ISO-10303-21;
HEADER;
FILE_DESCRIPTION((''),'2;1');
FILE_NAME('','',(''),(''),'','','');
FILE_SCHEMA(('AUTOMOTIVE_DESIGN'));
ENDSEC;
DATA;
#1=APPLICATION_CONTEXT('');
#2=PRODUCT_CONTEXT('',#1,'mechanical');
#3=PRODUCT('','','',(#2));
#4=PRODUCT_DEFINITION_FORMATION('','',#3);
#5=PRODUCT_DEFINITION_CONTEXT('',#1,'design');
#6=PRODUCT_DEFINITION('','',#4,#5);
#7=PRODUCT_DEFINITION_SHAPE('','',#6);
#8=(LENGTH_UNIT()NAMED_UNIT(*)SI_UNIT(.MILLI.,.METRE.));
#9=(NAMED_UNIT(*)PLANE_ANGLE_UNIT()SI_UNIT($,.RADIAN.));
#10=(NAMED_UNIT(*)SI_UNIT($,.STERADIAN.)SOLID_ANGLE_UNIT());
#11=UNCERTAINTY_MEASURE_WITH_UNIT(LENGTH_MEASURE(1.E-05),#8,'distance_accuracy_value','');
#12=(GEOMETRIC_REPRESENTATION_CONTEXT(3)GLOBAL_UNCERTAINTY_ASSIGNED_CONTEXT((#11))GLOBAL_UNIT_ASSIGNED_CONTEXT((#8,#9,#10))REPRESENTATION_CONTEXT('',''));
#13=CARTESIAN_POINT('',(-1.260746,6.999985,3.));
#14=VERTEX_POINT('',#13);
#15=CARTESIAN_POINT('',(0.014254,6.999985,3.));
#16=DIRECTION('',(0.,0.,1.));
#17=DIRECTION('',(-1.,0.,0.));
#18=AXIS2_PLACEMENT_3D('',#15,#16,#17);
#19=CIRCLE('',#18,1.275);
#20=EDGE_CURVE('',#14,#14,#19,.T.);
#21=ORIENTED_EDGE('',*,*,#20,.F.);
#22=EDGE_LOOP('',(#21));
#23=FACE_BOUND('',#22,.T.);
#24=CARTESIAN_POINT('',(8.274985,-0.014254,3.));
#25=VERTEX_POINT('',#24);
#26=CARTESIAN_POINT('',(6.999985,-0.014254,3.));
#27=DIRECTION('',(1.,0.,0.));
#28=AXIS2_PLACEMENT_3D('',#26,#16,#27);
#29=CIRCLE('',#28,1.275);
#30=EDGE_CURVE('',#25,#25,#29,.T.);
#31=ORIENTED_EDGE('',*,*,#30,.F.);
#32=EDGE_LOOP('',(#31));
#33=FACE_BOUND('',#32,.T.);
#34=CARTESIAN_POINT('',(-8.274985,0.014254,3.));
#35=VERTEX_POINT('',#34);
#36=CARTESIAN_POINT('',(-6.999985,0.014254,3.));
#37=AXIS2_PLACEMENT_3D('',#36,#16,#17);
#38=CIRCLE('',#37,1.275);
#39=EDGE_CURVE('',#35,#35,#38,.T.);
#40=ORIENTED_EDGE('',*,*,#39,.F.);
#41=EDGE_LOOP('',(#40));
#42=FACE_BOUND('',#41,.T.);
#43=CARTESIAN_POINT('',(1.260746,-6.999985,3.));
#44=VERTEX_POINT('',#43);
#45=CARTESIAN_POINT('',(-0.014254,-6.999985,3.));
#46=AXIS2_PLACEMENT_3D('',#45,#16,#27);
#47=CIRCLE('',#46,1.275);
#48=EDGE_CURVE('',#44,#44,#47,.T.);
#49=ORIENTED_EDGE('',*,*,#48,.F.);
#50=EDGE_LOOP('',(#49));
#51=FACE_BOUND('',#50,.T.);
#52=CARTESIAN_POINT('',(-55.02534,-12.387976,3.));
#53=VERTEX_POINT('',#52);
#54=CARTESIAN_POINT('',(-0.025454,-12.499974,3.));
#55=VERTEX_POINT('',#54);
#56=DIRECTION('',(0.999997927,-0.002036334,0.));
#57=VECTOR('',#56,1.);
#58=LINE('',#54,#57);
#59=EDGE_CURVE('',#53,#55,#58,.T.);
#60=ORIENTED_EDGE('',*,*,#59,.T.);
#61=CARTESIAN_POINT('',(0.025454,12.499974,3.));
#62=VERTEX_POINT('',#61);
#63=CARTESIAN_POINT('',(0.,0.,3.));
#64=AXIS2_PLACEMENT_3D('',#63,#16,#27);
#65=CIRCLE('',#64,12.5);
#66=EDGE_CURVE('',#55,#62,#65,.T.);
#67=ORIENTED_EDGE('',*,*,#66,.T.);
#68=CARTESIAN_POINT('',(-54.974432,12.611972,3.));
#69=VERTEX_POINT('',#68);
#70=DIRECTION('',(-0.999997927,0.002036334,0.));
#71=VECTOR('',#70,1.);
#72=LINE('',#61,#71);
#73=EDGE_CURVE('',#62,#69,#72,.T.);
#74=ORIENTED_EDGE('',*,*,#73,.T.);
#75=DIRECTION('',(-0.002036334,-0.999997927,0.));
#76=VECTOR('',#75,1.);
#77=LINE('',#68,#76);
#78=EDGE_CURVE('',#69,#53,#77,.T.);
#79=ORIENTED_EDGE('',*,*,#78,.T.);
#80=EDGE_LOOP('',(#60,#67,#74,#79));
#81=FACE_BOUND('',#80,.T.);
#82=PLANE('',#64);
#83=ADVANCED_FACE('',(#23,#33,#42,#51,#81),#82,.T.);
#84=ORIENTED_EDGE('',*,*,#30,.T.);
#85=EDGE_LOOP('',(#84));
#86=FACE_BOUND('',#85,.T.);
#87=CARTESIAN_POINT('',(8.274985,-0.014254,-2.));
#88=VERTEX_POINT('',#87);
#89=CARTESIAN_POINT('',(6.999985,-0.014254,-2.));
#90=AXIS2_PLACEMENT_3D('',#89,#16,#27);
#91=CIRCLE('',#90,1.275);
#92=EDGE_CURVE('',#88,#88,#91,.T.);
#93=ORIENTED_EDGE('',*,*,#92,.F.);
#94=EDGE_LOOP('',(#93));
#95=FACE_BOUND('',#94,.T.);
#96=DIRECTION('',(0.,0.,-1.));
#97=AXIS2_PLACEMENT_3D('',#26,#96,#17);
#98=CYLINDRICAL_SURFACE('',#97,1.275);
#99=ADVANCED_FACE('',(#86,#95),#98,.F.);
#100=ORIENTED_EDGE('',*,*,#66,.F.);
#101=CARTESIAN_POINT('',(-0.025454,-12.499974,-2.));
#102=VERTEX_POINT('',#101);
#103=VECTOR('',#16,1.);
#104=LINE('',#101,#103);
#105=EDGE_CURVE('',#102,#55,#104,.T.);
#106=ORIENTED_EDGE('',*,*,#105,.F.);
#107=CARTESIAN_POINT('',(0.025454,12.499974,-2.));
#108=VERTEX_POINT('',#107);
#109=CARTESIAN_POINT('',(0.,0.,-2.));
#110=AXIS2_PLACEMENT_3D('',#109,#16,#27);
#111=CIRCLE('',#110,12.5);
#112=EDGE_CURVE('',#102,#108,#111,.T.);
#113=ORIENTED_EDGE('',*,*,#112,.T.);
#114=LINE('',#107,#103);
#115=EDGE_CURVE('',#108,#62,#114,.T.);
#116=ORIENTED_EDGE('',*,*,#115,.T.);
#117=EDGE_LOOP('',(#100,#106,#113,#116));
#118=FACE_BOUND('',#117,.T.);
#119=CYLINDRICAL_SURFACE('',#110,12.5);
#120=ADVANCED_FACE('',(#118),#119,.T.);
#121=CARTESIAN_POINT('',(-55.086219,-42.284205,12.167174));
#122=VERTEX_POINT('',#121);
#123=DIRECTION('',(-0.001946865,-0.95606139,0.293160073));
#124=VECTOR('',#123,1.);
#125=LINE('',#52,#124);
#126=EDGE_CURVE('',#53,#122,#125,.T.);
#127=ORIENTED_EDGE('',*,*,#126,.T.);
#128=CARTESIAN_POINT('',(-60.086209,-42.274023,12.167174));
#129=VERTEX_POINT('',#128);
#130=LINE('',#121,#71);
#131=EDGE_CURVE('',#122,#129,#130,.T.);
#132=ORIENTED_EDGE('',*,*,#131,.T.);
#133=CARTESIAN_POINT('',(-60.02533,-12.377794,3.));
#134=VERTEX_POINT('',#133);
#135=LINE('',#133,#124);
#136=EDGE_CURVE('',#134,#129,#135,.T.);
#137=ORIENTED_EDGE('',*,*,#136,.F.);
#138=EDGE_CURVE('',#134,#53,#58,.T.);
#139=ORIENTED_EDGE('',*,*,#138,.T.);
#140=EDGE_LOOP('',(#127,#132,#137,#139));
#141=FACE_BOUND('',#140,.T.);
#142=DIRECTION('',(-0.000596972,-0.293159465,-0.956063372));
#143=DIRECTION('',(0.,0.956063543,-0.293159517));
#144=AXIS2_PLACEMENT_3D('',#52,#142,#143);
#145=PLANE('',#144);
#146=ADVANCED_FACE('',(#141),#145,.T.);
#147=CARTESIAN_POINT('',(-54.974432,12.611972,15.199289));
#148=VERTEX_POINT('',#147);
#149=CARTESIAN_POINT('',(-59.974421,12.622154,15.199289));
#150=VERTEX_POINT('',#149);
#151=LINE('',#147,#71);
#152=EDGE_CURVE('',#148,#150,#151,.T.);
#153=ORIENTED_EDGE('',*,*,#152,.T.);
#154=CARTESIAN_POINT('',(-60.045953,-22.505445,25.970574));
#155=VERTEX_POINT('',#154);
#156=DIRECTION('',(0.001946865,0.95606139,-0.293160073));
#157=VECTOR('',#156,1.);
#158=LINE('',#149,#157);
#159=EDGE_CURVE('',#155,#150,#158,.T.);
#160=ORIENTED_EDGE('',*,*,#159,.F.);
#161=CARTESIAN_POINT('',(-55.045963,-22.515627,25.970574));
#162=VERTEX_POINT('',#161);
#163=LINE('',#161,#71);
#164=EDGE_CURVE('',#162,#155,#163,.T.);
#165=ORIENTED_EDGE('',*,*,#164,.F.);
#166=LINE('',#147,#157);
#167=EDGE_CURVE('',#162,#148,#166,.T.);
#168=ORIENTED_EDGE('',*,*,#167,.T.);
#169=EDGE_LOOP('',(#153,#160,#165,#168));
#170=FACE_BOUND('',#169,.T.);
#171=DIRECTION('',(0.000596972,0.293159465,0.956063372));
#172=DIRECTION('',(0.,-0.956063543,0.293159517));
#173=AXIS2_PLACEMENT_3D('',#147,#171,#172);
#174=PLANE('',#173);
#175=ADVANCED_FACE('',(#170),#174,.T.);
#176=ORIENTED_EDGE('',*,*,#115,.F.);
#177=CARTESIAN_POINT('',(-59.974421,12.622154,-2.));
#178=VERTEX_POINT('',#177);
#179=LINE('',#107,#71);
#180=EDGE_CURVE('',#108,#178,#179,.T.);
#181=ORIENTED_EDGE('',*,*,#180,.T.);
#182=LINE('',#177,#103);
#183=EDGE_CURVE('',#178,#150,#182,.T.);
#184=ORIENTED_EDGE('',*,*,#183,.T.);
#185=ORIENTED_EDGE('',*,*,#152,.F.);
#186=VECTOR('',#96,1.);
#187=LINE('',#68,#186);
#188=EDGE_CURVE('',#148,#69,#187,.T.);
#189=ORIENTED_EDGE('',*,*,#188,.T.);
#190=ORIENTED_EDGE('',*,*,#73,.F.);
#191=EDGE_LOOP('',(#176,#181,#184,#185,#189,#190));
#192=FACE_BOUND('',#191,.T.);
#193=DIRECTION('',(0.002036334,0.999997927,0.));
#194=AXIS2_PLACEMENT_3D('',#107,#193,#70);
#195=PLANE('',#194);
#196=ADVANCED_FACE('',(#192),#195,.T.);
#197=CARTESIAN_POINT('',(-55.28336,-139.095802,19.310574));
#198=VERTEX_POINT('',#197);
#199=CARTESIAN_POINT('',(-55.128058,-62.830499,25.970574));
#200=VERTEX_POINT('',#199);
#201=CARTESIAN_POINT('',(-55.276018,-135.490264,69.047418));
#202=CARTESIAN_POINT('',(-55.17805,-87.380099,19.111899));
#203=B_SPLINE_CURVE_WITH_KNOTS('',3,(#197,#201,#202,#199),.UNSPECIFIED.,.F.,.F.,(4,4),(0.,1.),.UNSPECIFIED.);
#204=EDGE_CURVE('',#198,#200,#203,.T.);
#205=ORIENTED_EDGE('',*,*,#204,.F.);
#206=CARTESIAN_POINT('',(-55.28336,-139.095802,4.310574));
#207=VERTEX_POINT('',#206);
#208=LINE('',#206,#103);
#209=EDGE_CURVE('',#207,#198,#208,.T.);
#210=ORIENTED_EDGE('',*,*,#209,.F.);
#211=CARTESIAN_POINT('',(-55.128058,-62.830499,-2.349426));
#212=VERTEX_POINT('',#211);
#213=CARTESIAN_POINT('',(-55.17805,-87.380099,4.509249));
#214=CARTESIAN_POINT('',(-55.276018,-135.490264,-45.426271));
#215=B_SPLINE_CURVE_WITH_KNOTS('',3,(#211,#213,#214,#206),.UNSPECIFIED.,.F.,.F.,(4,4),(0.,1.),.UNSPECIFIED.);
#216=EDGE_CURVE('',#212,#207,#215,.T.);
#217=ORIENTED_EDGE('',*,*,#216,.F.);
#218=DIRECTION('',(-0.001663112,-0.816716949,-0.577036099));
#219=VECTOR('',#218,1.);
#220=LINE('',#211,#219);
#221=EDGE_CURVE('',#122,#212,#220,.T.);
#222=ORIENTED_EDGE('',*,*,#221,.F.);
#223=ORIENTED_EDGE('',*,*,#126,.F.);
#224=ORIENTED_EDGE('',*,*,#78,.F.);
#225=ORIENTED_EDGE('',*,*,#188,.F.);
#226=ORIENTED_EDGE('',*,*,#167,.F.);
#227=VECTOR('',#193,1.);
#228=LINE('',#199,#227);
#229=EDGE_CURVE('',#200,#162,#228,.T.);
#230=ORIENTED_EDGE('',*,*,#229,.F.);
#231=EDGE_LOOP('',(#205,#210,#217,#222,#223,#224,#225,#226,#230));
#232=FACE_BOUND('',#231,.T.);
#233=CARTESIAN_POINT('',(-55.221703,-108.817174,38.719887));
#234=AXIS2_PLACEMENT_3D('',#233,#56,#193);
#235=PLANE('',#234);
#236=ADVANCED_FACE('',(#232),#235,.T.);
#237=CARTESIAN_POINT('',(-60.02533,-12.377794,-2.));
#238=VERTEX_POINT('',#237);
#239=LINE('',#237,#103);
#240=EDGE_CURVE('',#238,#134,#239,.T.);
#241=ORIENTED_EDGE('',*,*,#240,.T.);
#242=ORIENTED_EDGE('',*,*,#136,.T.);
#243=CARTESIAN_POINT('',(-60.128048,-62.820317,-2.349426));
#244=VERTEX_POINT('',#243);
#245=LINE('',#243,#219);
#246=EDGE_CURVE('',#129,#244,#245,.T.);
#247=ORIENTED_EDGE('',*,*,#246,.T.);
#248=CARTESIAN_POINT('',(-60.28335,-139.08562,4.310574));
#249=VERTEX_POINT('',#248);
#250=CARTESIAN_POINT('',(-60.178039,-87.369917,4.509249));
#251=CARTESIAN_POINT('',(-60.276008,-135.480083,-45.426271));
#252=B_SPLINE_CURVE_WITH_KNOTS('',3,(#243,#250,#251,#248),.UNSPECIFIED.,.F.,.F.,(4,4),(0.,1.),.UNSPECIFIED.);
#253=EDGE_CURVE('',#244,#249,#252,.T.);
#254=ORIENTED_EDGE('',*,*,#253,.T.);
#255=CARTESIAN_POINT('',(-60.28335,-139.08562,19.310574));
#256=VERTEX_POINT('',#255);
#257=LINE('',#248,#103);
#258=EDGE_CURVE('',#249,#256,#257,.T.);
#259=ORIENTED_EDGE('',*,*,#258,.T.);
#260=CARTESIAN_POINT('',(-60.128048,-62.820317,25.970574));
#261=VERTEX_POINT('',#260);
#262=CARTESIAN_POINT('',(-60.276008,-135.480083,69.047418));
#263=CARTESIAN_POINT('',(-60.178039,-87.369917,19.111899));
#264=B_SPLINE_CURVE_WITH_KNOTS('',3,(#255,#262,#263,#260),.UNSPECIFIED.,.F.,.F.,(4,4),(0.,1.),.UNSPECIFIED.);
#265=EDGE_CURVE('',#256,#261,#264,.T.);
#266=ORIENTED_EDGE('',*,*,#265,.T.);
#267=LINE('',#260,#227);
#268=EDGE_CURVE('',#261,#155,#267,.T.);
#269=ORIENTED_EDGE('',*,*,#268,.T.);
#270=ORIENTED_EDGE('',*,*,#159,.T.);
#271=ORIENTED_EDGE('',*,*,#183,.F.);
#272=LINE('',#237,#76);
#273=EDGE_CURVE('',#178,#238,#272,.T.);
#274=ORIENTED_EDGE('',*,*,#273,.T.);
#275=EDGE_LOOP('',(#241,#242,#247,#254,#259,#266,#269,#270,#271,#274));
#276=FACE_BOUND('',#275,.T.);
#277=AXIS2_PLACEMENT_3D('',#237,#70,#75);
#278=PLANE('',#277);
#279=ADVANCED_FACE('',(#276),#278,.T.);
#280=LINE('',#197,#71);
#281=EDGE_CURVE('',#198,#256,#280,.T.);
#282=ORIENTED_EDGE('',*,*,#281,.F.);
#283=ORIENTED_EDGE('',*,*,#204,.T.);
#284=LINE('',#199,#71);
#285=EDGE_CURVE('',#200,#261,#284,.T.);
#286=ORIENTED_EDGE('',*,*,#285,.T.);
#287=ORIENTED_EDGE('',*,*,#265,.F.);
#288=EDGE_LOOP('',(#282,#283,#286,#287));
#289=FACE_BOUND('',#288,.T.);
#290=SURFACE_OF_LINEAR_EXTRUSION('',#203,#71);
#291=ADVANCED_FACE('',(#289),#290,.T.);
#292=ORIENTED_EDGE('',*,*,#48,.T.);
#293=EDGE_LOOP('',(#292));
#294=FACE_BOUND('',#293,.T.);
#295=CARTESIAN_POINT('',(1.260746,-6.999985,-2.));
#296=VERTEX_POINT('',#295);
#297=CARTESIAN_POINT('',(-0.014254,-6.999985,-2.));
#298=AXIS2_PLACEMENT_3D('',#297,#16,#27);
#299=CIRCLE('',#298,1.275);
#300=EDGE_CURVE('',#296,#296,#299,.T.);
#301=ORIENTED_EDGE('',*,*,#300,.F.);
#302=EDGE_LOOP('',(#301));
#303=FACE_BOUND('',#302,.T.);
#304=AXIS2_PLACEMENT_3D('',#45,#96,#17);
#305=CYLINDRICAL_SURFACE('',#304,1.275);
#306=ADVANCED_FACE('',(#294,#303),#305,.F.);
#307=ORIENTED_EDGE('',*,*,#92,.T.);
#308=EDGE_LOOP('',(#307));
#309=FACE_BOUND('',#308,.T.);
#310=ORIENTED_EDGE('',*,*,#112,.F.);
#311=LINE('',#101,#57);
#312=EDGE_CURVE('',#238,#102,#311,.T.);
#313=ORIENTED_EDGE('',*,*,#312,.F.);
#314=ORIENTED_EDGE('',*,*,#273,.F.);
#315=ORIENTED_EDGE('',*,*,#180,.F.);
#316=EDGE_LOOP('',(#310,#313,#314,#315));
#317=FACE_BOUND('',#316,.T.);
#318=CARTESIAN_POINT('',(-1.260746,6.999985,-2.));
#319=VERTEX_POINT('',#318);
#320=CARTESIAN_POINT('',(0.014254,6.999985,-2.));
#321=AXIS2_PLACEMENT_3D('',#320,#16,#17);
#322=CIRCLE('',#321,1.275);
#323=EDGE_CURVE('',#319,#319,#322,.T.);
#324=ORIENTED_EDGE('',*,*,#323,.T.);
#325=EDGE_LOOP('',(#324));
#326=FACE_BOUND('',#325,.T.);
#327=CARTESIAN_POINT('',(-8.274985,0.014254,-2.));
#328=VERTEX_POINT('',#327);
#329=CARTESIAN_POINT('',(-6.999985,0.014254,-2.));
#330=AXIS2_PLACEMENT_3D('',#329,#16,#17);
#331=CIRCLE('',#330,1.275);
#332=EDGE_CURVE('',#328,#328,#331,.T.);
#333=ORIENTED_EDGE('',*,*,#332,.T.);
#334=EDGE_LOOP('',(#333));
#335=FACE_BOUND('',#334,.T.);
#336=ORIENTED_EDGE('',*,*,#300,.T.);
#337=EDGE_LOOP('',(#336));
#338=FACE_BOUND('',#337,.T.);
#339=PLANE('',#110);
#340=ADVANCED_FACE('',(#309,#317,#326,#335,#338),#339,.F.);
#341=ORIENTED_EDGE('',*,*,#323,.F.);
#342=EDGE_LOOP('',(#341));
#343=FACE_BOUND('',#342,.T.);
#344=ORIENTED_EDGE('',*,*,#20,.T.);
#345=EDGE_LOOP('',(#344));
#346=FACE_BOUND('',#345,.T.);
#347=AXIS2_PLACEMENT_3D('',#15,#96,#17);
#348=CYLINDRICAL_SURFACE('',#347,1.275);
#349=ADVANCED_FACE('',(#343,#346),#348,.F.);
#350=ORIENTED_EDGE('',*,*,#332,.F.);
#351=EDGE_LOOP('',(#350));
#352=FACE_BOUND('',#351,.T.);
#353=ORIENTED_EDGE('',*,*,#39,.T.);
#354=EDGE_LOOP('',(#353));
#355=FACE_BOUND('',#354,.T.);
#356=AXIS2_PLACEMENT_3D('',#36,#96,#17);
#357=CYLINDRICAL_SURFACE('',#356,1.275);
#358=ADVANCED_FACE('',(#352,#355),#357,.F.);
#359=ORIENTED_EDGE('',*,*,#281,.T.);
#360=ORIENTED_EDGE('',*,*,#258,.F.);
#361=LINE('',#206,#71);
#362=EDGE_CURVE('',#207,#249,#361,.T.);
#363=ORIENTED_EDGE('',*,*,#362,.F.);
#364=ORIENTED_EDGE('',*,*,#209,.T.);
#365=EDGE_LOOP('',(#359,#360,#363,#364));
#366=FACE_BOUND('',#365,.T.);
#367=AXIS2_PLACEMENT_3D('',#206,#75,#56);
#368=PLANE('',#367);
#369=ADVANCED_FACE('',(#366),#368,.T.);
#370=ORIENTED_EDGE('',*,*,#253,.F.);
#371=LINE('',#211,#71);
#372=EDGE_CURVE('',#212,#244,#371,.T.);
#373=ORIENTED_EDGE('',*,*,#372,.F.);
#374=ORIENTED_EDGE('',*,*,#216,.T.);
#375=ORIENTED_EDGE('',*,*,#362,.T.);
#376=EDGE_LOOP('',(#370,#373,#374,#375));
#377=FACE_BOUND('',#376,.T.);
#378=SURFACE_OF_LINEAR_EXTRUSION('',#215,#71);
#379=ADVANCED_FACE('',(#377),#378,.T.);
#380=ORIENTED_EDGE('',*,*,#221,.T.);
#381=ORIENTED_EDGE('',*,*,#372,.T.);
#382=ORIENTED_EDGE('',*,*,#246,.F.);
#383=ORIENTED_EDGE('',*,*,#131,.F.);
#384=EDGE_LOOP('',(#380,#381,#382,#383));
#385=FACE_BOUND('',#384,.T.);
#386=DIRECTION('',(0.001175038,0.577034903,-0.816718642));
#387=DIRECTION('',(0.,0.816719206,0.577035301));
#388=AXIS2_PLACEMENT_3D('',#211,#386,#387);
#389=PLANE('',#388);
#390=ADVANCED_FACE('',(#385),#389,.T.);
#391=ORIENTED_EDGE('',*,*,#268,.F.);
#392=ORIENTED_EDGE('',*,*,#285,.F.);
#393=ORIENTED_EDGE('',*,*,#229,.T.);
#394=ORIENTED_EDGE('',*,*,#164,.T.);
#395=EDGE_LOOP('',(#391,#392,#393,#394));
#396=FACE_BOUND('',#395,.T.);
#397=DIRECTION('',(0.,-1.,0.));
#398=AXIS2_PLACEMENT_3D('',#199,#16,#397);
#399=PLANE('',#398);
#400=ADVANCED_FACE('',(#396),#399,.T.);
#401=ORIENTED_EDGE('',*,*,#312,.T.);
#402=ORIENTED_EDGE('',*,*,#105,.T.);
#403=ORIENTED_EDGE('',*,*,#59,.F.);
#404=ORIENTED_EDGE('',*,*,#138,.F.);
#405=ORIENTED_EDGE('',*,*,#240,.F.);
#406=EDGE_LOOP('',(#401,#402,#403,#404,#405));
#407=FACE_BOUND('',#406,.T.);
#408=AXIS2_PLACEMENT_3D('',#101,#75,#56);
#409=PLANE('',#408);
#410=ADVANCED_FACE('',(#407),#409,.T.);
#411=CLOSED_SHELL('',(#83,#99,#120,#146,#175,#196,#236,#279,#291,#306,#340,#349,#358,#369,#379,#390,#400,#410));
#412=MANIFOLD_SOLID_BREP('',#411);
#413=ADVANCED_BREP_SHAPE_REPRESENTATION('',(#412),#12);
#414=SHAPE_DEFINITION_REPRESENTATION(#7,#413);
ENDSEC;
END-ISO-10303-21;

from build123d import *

# Parameters (mm, degrees)
SKETCH2_R           = 10
SKETCH2_R_2         = 1.275
BOSS_EXTRUDE1_DEPTH = 3
SKETCH3_R           = 1.275
BOSS_EXTRUDE2_DEPTH = 5
BOSS_EXTRUDE3_DEPTH = 5


with BuildPart() as part:
    # Sketch2 → Boss-Extrude1 (new body)
    with BuildSketch(Plane.XY):
        Circle(SKETCH2_R)
        with Locations((6.999985487, -0.014254341)):
            Circle(SKETCH2_R_2, mode=Mode.SUBTRACT)
        with Locations((-0.014254341, -6.999985487)):
            Circle(SKETCH2_R_2, mode=Mode.SUBTRACT)
        with Locations((-6.999985487, 0.014254341)):
            Circle(SKETCH2_R_2, mode=Mode.SUBTRACT)
        with Locations((0.014254341, 6.999985487)):
            Circle(SKETCH2_R_2, mode=Mode.SUBTRACT)
    extrude(amount=BOSS_EXTRUDE1_DEPTH)

    # Sketch3 → Boss-Extrude2 (add)
    with BuildSketch(Plane.XY.offset(3)):
        with BuildLine():
            Line((-0.02545418, -12.499974083), (-60.02532978, -12.377794019))
            Line((-60.02532978, -12.377794019), (-59.97442142, 12.622154148))
            Line((-59.97442142, 12.622154148), (0.02545418, 12.499974083))
            ThreePointArc((0.02545418, 12.499974083), (12.499974083, -0.02545418), (-0.02545418, -12.499974083))
        make_face()
        with Locations((6.999985487, -0.014254341)):
            Circle(SKETCH3_R, mode=Mode.SUBTRACT)
        with Locations((-0.014254341, -6.999985487)):
            Circle(SKETCH3_R, mode=Mode.SUBTRACT)
        with Locations((-6.999985487, 0.014254341)):
            Circle(SKETCH3_R, mode=Mode.SUBTRACT)
        with Locations((0.014254341, 6.999985487)):
            Circle(SKETCH3_R, mode=Mode.SUBTRACT)
    extrude(amount=-BOSS_EXTRUDE2_DEPTH)

    # Sketch4 → Boss-Extrude3 (add)
    with BuildSketch(Plane(origin=(-59.9998756, 0.122180064, 0), x_dir=(0.002036334, 0.999997927, 0), z_dir=(-0.999997927, 0.002036334, 0))):
        with BuildLine():
            Line((-62.942627893, -25.970573692), (-22.627671819, -25.970573692))
            Line((-22.627671819, -25.970573692), (12.5, -15.199288929))
            Line((12.5, -15.199288929), (12.5, -3))
            Line((12.5, -3), (-12.5, -3))
            Line((-12.5, -3), (-42.396291449, -12.167173681))
            Line((-42.396291449, -12.167173681), (-62.942627893, 2.349426308))
            add(Edge.make_bspline(
                [(-62.942627893, 2.349426308), (-87.492278411, -4.509248518), (-135.602543773, 45.42627104), (-139.208088658, -4.310573692)],
                knots=[0, 0, 0, 0, 1, 1, 1, 1], degree=3))
            Line((-139.208088658, -4.310573692), (-139.208088658, -19.310573692))
            add(Edge.make_bspline(
                [(-62.942627893, -25.970573692), (-87.492278411, -19.111898866), (-135.602543773, -69.047418424), (-139.208088658, -19.310573692)],
                knots=[0, 0, 0, 0, 1, 1, 1, 1], degree=3))
        make_face()
    extrude(amount=-BOSS_EXTRUDE3_DEPTH)


solid = part.part
